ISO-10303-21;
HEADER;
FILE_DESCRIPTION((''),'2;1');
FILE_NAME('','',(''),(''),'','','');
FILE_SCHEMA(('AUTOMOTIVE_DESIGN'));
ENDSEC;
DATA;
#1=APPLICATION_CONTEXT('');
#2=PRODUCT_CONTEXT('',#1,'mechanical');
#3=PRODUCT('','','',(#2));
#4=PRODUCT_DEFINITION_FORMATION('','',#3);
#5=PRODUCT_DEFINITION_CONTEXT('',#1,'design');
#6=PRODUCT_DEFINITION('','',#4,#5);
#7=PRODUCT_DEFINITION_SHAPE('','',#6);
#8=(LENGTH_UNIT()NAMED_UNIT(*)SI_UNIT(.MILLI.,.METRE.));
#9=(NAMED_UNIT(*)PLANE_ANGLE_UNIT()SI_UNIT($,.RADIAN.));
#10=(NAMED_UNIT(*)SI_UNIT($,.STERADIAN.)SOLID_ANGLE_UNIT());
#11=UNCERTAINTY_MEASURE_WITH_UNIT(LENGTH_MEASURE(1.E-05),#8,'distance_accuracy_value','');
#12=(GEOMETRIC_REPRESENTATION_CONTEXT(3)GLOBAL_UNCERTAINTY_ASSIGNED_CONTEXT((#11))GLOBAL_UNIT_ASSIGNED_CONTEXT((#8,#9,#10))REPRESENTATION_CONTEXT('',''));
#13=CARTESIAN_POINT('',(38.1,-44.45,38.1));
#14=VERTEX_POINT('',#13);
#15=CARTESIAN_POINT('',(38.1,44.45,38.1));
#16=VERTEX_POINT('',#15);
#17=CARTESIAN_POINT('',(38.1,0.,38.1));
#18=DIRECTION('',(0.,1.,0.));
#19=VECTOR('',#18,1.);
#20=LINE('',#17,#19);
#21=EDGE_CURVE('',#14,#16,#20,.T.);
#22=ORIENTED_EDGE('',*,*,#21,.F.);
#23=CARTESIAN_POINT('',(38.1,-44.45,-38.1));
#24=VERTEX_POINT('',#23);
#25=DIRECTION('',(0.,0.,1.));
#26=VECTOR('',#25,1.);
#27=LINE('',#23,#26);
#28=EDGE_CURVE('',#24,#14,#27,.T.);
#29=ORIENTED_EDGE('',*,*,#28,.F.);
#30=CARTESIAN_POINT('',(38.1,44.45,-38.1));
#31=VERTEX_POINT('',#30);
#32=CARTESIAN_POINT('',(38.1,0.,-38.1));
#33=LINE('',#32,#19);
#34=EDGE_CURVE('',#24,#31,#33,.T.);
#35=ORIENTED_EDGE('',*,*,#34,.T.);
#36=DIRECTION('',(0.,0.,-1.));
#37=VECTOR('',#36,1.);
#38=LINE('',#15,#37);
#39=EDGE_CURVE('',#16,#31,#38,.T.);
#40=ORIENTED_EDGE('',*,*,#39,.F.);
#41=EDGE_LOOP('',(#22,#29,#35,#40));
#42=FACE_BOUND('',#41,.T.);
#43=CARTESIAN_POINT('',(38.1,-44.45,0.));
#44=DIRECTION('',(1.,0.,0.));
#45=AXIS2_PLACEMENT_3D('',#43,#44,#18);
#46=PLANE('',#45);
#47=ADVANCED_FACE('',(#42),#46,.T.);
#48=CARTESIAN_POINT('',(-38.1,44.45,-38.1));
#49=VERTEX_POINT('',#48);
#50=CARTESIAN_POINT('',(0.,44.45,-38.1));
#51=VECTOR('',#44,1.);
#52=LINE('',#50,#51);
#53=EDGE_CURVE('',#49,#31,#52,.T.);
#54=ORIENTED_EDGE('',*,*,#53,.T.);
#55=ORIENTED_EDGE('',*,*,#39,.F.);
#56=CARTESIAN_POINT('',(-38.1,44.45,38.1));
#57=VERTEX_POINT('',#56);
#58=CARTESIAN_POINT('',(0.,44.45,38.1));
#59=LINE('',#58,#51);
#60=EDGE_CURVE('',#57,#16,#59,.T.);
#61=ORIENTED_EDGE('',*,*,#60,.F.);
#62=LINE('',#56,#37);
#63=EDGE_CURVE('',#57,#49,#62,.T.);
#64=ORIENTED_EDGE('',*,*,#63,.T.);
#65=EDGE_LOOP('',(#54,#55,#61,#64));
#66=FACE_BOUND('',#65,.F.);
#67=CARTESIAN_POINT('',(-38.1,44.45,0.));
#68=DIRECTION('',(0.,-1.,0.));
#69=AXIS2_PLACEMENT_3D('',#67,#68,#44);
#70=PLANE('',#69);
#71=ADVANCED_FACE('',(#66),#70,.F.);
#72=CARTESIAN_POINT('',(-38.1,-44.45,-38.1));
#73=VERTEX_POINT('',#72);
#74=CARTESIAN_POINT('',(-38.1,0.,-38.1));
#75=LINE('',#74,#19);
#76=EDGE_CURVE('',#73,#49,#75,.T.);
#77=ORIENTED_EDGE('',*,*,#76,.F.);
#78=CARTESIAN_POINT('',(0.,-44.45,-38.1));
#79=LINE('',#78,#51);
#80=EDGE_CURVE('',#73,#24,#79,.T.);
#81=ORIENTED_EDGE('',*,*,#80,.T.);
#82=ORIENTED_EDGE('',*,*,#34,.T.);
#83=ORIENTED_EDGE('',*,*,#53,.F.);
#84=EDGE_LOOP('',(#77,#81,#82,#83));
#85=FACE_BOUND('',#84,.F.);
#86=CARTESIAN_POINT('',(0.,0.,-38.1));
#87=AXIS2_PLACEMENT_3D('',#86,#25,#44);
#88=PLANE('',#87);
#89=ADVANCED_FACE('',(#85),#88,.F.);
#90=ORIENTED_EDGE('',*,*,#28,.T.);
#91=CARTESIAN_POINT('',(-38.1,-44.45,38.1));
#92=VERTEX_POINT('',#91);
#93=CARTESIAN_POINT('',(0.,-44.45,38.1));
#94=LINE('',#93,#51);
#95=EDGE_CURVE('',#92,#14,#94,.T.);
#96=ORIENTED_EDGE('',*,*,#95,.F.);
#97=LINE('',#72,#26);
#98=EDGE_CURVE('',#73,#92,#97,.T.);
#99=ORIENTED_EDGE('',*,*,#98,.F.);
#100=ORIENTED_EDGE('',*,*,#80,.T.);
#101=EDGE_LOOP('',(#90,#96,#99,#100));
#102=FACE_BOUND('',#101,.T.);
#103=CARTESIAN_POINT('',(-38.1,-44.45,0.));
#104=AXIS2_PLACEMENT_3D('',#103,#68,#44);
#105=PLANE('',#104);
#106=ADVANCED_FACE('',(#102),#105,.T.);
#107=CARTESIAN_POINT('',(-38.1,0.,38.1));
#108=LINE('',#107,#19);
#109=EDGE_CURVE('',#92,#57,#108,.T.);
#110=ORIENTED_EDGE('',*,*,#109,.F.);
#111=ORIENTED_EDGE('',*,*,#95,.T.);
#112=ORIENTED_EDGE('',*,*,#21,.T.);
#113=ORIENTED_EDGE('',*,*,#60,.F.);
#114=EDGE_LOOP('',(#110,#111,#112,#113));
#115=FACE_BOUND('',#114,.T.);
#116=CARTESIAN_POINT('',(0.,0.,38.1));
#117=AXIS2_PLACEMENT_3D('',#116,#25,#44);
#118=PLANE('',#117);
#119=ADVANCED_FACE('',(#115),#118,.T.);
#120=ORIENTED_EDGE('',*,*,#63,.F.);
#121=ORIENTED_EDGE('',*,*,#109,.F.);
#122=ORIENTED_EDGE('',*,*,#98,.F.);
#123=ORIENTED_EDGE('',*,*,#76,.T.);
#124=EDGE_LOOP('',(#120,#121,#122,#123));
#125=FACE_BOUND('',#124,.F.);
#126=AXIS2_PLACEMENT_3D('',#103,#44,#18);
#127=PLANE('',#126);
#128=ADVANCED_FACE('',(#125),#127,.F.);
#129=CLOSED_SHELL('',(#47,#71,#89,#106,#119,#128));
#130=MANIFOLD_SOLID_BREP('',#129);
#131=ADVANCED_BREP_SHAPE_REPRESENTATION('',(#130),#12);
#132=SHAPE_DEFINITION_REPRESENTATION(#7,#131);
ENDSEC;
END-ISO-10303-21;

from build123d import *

# Parameters (mm, degrees)
SKETCH1_W           = 76.2
SKETCH1_H           = 88.9
BOSS_EXTRUDE1_DEPTH = 38.1


with BuildPart() as part:
    # Sketch1 → Boss-Extrude1 (new body, symmetric)
    with BuildSketch(Plane.XY):
        Rectangle(SKETCH1_W, SKETCH1_H)
    extrude(amount=BOSS_EXTRUDE1_DEPTH, both=True)


solid = part.part
